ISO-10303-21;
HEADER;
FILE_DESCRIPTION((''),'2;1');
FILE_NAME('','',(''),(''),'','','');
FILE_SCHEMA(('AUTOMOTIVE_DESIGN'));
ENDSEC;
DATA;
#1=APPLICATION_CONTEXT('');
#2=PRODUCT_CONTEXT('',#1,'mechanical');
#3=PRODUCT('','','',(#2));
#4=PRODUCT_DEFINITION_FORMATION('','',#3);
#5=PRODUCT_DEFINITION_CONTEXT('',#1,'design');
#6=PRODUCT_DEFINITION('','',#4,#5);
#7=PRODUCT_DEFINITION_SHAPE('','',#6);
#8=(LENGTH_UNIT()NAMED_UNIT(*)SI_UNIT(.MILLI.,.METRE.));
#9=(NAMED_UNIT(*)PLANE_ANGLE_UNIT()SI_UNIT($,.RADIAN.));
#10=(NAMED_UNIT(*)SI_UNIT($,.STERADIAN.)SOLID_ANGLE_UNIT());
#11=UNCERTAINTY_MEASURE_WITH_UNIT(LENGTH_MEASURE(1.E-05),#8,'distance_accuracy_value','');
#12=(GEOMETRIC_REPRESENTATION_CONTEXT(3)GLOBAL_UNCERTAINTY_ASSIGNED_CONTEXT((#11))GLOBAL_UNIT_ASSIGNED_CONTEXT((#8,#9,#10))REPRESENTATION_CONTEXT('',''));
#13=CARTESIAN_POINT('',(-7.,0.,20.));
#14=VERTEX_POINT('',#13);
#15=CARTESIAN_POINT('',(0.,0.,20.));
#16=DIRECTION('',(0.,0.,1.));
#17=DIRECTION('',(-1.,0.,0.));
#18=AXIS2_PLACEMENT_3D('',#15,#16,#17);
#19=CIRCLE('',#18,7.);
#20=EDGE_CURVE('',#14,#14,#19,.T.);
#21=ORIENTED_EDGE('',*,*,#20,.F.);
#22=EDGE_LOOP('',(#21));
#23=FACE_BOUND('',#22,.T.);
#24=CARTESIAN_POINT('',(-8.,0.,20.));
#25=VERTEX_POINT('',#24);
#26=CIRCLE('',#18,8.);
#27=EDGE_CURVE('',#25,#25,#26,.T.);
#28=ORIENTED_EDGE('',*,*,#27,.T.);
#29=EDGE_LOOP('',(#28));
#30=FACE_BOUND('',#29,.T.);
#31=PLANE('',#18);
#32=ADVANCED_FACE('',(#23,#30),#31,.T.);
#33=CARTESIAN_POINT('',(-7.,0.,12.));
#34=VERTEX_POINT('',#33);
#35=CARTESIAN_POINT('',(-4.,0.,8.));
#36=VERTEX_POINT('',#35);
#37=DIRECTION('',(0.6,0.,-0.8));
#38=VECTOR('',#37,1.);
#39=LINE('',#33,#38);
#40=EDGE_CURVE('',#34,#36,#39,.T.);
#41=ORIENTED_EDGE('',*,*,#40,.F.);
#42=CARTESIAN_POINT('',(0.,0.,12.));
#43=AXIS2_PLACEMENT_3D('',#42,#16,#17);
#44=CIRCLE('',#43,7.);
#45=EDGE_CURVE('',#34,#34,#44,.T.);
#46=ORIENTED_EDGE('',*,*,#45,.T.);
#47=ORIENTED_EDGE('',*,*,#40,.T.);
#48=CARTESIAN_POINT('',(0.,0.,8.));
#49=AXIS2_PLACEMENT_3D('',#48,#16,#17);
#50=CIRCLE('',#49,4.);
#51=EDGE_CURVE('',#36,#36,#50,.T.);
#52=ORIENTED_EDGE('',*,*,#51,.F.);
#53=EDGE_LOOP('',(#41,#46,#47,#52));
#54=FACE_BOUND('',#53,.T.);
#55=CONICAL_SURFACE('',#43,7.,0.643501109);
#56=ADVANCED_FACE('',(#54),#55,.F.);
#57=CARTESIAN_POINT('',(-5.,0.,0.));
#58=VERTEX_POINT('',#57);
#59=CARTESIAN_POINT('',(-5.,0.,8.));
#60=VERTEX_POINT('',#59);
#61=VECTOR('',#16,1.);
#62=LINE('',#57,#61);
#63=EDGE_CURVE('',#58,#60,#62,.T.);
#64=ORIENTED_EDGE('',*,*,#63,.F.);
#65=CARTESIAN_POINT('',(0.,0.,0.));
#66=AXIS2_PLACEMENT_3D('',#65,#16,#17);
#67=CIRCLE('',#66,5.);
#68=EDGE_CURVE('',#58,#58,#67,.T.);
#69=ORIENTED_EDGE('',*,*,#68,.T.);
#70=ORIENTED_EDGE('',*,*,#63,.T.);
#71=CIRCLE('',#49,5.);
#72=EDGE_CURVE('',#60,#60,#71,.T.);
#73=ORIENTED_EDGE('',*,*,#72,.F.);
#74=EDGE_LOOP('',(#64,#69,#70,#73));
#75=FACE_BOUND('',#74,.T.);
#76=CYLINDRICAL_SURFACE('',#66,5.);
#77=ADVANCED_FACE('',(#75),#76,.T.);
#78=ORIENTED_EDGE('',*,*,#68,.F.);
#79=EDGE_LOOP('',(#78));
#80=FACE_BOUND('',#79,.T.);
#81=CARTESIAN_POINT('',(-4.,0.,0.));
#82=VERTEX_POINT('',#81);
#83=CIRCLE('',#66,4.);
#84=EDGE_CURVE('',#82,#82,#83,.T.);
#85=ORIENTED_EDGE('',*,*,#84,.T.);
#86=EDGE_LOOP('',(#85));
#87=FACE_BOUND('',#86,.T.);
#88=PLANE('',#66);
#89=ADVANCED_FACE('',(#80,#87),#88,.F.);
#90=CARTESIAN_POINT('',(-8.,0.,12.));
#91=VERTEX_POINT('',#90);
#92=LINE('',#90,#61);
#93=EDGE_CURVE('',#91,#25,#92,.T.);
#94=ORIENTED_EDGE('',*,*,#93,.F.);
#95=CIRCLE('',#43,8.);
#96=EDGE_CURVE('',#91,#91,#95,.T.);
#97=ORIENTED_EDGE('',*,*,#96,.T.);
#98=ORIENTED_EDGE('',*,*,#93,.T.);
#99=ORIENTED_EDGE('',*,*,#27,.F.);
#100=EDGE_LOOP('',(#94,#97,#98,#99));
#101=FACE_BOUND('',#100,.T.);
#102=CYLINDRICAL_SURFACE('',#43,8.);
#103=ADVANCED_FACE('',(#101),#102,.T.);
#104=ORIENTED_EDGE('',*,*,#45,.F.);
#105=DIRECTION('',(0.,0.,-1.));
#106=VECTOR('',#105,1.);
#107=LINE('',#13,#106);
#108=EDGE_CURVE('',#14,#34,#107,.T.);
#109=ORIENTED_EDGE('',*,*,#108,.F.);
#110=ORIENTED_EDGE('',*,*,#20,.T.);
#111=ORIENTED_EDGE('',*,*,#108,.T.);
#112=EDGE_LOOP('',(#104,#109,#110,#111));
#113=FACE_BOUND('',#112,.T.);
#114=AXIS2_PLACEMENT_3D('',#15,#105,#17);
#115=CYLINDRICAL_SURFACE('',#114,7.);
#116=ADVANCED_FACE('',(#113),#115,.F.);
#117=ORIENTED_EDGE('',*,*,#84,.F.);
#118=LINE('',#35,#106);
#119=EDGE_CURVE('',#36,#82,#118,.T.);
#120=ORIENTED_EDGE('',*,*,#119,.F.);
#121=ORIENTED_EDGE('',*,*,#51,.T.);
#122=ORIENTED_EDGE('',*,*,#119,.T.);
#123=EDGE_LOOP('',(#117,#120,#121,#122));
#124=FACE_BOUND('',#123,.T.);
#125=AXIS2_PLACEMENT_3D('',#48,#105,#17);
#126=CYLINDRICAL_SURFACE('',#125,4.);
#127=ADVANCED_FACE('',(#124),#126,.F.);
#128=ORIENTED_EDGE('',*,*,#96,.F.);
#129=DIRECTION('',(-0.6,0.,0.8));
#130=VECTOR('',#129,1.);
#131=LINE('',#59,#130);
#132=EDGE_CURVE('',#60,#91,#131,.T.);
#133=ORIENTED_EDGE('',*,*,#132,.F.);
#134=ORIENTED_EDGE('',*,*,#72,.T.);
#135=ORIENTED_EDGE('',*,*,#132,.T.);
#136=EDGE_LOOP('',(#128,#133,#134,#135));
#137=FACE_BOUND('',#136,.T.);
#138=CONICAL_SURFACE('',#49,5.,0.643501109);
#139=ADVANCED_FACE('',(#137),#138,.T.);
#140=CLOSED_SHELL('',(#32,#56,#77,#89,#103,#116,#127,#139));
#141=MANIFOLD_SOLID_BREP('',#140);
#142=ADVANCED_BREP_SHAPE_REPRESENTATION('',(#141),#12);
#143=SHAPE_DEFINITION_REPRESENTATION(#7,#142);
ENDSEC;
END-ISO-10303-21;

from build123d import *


with BuildPart() as part:
    # Sketch → Revolution (revolve)
    with BuildSketch(Plane.XZ):
        Polygon((-8, 20), (-7, 20), (-7, 12), (-4, 8), (-4, 0), (-5, 0), (-5, 8), (-8, 12), align=None)
    revolve(axis=Axis((0, 0, 0), (0, 0, 1)))


solid = part.part
